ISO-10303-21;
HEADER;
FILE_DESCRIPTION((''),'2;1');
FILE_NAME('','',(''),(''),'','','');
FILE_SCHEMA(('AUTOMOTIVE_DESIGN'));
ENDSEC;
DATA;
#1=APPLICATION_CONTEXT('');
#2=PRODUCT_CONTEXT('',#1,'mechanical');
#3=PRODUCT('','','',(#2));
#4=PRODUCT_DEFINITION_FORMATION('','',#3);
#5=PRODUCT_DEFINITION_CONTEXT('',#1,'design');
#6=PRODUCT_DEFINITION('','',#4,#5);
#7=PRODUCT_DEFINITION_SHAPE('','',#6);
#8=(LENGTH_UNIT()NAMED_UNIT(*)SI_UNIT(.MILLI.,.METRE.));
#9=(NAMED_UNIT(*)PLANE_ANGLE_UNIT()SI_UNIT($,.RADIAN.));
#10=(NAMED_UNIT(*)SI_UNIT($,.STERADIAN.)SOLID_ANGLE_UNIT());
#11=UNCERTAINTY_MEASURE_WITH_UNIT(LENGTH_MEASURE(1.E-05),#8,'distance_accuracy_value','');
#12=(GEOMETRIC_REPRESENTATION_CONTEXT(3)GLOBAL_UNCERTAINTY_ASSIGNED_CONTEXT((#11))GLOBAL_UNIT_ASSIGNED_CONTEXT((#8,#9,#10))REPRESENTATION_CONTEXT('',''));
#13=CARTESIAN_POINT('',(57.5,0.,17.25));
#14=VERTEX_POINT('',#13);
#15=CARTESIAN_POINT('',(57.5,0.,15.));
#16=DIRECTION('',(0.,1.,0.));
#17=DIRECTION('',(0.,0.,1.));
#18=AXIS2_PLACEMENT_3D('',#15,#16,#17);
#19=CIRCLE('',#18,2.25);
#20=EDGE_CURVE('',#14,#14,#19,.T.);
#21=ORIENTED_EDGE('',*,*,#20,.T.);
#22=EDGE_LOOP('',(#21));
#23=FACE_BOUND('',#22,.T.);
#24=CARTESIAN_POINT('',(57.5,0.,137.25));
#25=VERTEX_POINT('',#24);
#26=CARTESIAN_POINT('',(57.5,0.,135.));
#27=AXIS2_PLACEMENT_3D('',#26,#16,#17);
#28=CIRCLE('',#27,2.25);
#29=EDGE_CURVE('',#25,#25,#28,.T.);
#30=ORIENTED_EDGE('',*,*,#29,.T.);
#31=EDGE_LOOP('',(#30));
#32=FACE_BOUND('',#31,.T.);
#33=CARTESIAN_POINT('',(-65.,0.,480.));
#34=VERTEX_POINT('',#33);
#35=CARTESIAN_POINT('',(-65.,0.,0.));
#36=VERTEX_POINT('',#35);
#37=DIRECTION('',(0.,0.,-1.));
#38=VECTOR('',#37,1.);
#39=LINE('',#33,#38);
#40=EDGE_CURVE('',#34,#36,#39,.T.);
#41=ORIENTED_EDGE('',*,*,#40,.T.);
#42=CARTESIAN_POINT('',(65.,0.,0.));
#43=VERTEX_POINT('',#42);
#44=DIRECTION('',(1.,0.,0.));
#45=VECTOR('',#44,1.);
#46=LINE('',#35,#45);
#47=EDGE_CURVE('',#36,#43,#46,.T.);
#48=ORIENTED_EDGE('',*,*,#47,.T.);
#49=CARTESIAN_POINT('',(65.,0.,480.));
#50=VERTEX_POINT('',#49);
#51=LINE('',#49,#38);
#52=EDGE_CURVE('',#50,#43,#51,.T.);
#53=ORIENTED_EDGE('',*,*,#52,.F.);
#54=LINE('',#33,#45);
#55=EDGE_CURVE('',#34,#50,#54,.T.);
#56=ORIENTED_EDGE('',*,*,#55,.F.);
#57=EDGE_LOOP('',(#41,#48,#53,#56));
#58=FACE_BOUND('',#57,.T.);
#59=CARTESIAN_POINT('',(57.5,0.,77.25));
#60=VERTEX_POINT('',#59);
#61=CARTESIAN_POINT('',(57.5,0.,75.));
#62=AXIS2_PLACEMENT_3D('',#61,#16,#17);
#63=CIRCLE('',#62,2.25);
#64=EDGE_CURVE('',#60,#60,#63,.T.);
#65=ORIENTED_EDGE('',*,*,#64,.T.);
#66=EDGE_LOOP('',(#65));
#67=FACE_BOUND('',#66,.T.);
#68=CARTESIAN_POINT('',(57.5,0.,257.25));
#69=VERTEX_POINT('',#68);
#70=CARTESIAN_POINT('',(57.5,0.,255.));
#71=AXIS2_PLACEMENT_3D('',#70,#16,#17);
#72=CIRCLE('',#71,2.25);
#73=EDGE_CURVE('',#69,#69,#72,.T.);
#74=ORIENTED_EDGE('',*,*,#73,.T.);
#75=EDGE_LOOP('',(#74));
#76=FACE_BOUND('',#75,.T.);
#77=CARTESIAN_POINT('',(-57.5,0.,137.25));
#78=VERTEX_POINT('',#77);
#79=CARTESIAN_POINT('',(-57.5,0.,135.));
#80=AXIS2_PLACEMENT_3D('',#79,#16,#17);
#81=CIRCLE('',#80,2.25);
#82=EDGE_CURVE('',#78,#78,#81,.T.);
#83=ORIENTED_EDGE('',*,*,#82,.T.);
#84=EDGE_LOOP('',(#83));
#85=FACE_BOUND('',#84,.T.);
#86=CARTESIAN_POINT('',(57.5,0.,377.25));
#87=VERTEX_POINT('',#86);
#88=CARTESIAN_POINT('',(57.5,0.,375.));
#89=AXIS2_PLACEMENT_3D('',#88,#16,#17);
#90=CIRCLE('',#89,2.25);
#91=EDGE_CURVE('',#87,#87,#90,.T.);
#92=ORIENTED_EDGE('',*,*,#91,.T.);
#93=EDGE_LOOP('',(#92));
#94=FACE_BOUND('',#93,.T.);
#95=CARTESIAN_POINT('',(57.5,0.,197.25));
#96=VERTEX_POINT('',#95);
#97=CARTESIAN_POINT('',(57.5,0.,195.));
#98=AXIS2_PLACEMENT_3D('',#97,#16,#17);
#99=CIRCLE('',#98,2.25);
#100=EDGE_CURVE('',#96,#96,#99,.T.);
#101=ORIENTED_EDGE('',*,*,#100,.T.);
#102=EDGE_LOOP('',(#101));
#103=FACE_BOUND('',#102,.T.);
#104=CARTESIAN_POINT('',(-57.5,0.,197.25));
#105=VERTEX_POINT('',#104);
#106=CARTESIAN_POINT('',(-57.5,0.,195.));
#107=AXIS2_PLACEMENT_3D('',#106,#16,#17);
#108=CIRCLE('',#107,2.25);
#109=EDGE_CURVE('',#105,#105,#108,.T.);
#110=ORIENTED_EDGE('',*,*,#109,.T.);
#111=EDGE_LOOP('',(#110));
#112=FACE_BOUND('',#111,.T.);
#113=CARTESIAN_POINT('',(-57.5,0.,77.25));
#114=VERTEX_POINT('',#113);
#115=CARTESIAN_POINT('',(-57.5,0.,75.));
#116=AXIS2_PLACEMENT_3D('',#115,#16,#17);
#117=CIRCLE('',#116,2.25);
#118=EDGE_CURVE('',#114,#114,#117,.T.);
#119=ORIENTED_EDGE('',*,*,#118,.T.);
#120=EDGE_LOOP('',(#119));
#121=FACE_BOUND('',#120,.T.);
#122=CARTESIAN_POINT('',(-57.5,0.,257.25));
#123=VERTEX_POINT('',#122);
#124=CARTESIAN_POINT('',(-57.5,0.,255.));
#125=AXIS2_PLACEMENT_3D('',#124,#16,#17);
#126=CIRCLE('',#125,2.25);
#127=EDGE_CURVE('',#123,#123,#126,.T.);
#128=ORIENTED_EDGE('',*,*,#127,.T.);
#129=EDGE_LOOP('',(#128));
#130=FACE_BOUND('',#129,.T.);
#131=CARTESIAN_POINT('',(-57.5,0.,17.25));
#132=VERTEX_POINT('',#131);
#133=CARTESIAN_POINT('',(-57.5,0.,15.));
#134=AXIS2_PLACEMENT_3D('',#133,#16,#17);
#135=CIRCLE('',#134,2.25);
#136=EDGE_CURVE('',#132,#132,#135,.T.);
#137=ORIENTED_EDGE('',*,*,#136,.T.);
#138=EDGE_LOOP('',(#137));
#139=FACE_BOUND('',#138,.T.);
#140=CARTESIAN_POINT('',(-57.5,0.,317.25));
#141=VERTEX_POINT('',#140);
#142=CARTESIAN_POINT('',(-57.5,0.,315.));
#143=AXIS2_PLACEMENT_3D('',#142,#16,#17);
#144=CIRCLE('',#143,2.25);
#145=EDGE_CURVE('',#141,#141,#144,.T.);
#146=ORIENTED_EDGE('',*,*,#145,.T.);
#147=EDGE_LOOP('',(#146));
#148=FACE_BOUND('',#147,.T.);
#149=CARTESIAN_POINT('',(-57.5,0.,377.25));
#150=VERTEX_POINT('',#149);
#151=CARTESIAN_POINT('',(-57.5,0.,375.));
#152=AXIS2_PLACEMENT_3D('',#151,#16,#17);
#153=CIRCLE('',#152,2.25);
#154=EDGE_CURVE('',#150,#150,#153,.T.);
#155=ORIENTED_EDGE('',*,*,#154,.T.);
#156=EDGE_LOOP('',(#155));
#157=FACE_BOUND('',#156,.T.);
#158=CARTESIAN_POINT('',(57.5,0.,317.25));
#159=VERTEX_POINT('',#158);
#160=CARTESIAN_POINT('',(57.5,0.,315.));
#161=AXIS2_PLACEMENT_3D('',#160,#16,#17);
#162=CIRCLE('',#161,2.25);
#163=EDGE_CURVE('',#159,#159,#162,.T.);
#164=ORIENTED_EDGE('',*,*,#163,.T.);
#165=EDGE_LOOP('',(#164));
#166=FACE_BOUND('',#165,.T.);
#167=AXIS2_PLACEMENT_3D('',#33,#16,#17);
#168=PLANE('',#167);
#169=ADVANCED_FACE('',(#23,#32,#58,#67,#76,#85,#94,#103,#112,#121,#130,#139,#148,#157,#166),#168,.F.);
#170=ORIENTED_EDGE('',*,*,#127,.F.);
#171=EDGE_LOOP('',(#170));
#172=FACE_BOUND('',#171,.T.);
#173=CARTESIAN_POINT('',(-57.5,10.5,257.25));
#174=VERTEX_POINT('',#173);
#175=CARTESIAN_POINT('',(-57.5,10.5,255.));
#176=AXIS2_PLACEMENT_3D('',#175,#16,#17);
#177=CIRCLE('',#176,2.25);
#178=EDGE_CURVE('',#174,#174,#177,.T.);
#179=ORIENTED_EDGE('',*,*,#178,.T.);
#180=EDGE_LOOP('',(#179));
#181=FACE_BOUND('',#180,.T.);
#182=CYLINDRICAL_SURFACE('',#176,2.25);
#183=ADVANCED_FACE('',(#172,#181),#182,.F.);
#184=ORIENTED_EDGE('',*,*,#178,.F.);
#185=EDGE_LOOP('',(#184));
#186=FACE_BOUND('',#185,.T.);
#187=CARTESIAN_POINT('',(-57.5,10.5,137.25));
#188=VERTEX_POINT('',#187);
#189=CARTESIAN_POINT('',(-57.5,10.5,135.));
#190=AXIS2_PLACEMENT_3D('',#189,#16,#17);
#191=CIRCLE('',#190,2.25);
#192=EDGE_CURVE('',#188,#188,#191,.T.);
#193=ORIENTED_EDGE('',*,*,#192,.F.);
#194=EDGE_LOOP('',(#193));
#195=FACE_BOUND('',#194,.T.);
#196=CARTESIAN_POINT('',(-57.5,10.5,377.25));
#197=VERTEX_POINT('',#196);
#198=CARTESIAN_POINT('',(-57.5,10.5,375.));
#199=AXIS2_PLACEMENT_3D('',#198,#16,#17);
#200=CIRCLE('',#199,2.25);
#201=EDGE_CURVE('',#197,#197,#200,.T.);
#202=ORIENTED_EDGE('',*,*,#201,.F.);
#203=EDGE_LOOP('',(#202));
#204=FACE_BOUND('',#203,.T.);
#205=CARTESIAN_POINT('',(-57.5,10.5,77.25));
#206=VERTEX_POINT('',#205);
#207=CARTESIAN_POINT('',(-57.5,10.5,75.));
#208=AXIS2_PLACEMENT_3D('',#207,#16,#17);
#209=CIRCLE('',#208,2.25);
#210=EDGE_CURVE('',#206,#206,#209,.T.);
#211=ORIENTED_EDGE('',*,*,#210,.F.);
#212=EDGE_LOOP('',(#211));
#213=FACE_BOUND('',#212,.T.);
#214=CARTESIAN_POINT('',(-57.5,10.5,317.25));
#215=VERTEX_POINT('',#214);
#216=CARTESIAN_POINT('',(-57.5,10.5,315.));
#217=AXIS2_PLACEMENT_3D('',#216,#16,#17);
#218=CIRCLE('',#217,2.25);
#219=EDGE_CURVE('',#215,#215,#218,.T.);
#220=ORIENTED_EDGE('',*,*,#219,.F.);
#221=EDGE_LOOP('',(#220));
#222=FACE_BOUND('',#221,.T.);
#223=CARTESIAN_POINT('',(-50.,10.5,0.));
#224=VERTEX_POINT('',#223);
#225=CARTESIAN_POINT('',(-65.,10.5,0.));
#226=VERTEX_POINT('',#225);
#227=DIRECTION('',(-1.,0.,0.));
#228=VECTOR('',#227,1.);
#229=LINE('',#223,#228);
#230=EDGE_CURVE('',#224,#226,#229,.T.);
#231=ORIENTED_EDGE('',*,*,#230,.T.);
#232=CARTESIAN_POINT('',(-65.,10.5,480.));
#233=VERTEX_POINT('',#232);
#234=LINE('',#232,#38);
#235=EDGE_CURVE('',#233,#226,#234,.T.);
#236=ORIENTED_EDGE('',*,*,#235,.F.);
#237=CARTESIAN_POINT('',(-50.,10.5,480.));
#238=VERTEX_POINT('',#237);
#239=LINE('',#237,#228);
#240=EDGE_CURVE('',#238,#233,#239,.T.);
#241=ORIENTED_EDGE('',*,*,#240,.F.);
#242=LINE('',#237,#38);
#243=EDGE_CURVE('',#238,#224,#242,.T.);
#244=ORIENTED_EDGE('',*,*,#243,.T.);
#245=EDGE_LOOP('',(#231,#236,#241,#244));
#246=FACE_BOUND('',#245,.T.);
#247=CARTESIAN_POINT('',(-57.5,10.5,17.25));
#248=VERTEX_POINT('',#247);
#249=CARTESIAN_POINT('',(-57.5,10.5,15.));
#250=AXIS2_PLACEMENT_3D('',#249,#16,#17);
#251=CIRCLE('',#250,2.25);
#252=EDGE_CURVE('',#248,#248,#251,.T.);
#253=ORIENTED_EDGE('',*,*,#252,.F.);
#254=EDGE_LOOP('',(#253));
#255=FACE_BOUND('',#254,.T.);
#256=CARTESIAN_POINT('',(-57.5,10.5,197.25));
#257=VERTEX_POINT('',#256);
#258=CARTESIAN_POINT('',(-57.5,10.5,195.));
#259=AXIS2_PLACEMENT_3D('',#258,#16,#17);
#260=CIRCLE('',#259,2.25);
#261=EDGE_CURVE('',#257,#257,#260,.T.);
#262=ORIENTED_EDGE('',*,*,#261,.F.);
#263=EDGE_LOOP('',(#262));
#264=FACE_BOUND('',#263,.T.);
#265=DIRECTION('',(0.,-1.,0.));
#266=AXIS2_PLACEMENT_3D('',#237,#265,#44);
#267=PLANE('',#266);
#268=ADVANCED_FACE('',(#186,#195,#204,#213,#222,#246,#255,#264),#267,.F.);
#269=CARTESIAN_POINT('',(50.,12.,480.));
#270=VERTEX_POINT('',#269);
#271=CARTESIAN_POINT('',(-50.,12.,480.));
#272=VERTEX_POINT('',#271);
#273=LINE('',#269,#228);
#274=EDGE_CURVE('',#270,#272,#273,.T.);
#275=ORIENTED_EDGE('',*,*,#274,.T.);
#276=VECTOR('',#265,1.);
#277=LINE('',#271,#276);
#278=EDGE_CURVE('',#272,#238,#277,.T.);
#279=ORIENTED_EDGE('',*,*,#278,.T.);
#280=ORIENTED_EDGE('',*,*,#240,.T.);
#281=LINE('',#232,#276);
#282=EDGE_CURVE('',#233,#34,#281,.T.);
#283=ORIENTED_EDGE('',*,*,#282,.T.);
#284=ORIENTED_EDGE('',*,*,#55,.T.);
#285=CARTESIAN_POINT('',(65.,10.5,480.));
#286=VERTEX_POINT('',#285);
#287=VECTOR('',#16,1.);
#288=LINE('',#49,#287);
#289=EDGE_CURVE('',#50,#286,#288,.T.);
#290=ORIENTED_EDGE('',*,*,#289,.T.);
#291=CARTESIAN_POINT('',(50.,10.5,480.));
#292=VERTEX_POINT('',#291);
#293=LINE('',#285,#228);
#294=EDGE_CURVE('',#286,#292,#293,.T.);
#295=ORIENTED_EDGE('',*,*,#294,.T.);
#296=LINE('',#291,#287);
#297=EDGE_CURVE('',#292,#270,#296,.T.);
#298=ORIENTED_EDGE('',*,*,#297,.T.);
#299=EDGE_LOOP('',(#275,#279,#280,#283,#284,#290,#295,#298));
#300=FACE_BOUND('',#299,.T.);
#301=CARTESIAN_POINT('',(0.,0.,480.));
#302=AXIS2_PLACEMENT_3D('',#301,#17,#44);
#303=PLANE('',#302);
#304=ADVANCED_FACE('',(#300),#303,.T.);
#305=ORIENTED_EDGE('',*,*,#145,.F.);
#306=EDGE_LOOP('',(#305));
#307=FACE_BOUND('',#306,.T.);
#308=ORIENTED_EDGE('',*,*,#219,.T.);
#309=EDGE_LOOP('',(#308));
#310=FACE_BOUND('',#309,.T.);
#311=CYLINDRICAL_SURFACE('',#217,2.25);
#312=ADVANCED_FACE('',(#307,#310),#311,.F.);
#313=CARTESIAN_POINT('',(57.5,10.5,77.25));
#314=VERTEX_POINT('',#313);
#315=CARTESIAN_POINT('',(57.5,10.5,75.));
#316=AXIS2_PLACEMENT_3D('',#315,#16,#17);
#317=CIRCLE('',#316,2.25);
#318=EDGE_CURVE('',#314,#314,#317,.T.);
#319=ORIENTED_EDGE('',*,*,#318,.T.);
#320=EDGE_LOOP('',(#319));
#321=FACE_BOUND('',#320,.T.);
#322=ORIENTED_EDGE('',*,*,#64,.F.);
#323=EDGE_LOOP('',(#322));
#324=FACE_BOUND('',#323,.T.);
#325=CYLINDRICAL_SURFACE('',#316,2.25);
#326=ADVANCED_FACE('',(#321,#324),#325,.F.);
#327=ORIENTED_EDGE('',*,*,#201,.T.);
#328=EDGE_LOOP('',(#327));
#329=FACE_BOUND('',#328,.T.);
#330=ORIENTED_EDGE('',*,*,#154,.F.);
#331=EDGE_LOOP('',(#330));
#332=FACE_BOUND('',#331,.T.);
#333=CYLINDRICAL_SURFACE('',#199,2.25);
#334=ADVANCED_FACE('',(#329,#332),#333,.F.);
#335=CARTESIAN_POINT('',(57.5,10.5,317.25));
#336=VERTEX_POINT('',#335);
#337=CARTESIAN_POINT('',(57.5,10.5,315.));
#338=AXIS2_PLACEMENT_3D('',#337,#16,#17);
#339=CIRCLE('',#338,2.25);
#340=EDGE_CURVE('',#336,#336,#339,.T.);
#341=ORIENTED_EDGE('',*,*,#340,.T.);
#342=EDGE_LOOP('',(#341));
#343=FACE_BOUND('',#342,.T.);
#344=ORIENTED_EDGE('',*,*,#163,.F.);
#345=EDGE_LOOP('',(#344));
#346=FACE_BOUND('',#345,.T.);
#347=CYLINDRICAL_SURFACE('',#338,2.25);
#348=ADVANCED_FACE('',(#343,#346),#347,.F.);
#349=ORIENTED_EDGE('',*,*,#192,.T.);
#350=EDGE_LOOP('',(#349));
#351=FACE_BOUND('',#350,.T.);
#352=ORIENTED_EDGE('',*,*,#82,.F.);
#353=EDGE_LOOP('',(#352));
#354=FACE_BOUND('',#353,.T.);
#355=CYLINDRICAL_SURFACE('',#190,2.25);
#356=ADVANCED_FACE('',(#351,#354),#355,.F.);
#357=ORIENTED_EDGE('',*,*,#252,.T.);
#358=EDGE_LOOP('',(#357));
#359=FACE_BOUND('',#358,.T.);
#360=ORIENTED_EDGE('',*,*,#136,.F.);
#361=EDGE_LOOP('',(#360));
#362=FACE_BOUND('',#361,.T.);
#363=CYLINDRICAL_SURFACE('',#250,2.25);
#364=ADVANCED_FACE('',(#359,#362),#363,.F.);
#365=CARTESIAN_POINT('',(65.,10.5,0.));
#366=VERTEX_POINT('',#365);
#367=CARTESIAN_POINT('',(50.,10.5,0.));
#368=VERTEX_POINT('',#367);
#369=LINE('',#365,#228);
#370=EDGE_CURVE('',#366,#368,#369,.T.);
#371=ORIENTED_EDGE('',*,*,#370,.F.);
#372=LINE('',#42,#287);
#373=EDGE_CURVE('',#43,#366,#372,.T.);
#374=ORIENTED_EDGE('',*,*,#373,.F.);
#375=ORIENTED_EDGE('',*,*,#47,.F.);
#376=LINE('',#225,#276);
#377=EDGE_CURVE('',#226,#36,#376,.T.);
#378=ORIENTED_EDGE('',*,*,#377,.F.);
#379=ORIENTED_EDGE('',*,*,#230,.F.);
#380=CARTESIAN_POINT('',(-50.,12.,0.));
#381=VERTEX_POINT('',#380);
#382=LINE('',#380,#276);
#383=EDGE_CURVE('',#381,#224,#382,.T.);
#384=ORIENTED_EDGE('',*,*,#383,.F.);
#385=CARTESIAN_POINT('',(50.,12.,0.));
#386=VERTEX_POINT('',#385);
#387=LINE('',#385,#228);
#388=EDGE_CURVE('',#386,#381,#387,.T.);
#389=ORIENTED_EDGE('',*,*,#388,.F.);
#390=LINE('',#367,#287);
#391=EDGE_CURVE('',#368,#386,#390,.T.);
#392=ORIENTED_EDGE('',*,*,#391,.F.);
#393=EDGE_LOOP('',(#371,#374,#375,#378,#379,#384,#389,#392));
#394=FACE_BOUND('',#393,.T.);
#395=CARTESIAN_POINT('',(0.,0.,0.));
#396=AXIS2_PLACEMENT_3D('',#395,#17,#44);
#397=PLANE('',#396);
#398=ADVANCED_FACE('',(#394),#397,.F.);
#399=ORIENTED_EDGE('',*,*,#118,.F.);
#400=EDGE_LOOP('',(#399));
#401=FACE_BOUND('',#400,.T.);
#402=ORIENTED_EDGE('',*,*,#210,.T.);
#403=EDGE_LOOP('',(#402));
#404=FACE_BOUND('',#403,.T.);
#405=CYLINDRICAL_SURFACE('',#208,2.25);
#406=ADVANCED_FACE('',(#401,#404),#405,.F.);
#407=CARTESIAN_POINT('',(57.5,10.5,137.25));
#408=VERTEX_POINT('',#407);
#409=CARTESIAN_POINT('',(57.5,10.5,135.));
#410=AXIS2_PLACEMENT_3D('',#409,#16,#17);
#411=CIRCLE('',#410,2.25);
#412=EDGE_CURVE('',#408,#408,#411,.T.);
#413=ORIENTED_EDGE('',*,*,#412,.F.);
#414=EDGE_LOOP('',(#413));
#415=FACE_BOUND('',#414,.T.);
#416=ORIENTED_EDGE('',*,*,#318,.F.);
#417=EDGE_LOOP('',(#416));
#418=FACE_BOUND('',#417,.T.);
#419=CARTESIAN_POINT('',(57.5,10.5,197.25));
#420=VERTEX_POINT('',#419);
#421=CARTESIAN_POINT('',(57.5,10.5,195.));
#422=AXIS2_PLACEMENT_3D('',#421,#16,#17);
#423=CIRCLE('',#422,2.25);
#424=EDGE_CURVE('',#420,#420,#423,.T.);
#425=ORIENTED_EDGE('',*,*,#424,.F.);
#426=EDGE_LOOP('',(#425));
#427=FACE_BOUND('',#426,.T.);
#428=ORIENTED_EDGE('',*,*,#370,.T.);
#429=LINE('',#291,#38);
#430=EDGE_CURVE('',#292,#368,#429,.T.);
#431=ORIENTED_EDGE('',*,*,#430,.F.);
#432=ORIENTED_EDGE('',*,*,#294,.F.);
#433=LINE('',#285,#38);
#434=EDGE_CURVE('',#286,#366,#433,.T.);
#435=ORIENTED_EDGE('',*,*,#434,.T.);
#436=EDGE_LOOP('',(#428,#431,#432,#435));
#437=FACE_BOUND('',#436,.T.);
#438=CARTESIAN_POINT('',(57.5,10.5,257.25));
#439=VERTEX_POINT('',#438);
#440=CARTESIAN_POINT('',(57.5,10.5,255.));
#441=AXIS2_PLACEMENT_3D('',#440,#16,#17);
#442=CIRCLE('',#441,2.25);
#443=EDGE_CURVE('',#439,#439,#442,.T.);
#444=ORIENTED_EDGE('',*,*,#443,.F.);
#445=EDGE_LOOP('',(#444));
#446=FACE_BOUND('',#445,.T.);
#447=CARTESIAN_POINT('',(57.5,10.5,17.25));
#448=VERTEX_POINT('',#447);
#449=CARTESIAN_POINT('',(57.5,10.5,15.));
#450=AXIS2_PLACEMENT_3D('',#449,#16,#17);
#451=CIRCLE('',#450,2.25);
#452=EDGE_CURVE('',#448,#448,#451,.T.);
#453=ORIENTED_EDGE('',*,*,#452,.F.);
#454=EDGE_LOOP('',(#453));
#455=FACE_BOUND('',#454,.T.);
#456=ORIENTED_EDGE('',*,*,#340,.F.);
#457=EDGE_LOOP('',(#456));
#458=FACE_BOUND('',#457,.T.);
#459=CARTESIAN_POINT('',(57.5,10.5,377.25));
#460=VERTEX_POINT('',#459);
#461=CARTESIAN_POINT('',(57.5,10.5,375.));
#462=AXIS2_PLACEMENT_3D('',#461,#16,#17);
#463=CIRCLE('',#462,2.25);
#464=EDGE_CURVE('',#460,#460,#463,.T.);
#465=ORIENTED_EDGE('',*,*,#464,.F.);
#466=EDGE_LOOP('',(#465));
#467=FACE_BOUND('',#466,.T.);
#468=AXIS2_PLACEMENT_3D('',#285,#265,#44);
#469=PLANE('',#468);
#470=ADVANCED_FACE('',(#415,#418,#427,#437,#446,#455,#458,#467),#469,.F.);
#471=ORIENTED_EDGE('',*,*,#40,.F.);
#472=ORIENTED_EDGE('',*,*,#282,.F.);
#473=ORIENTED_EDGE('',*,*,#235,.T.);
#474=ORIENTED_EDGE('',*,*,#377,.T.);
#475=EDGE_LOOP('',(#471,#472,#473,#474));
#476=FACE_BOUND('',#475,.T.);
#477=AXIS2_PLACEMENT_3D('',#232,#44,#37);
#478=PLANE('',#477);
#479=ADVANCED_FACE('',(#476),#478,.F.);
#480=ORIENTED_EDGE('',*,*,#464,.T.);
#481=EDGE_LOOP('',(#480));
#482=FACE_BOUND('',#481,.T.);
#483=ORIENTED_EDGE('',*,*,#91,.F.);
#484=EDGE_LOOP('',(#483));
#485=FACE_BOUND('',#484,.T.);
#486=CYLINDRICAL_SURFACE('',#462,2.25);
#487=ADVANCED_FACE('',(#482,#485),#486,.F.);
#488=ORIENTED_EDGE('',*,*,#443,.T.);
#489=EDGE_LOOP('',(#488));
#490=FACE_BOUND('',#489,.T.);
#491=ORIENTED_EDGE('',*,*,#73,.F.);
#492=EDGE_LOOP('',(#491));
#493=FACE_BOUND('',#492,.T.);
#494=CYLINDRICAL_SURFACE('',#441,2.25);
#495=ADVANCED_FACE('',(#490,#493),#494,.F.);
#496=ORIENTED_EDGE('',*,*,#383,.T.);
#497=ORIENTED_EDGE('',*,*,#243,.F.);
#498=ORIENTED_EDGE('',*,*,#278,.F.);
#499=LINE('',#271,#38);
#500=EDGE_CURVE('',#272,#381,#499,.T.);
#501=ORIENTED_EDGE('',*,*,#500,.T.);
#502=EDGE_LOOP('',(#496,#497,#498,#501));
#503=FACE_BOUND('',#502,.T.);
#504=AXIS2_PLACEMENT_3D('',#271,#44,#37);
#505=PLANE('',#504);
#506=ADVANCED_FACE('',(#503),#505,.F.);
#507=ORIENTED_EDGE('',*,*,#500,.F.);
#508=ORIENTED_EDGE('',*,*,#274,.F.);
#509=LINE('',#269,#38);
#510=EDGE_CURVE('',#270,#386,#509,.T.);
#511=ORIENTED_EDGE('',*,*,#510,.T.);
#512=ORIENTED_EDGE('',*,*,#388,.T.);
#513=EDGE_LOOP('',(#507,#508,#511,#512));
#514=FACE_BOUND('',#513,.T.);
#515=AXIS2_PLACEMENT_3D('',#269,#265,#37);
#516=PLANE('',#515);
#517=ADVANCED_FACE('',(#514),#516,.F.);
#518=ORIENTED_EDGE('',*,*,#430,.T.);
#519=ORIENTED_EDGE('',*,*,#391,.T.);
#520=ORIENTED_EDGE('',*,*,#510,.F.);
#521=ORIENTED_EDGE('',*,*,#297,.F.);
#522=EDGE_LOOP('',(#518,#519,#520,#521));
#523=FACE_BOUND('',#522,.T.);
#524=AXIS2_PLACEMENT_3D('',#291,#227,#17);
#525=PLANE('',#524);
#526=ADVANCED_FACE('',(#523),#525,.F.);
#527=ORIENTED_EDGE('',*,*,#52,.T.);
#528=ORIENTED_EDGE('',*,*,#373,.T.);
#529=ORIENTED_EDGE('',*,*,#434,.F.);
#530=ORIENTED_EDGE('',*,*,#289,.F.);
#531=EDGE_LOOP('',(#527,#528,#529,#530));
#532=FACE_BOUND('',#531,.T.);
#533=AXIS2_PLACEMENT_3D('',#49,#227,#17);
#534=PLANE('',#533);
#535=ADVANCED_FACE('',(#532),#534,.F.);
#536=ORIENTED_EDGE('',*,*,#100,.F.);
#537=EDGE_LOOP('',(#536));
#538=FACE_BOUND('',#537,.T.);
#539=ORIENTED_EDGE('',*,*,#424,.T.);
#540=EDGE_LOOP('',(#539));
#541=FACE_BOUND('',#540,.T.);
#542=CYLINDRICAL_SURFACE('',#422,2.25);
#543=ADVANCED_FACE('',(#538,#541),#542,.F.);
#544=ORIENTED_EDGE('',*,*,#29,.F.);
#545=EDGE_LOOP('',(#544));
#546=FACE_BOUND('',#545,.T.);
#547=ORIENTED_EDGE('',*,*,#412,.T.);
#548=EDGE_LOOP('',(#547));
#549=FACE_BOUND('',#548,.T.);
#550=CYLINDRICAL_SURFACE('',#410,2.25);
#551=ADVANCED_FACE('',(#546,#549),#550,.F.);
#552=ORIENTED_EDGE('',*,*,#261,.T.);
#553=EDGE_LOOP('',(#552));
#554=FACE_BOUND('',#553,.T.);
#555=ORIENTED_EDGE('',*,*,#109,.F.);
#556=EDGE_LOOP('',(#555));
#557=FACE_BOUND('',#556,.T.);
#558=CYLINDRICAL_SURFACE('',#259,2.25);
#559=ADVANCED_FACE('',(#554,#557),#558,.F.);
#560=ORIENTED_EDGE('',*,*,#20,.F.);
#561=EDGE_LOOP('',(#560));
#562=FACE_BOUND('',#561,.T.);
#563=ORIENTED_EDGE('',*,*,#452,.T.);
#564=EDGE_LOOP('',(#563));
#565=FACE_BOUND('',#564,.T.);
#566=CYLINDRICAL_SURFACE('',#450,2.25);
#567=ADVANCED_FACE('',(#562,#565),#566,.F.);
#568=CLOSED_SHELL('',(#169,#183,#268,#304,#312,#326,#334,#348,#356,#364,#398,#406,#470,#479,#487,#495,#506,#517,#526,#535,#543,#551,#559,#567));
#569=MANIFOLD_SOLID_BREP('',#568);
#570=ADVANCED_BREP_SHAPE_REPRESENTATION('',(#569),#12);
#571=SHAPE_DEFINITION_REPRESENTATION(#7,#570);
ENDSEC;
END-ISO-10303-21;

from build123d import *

# Parameters (mm, degrees)
BOSS_EXTRUDE1_DEPTH  = 480
M4_CLEARANCE_HOLE1_D = 4.5
M4_CLEARANCE_HOLE2_D = 4.5


with BuildPart() as part:
    # Sketch1 → Boss-Extrude1 (new body)
    with BuildSketch(Plane.XY):
        Polygon((-65, 0), (65, 0), (65, 10.5), (50, 10.5), (50, 12), (-50, 12), (-50, 10.5), (-65, 10.5), align=None)
    extrude(amount=BOSS_EXTRUDE1_DEPTH)

    # M4 Clearance Hole1 (through all)
    with Locations(Plane(origin=(14.850423209, 10.5, 240), x_dir=(1, 0, 0), z_dir=(0, 1, 0))):
        with Locations((-72.350423209, -135), (-72.350423209, 225), (-72.350423209, -75), (-72.350423209, -15), (-72.350423209, 45), (-72.350423209, 105), (-72.350423209, 165)):
            Hole(M4_CLEARANCE_HOLE1_D / 2)

    # M4 Clearance Hole2 (through all)
    with Locations(Plane(origin=(14.850423209, 10.5, 240), x_dir=(1, 0, 0), z_dir=(0, 1, 0))):
        with Locations((42.649576791, -135), (42.649576791, 225), (42.649576791, -75), (42.649576791, -15), (42.649576791, 45), (42.649576791, 105), (42.649576791, 165)):
            Hole(M4_CLEARANCE_HOLE2_D / 2)


solid = part.part
